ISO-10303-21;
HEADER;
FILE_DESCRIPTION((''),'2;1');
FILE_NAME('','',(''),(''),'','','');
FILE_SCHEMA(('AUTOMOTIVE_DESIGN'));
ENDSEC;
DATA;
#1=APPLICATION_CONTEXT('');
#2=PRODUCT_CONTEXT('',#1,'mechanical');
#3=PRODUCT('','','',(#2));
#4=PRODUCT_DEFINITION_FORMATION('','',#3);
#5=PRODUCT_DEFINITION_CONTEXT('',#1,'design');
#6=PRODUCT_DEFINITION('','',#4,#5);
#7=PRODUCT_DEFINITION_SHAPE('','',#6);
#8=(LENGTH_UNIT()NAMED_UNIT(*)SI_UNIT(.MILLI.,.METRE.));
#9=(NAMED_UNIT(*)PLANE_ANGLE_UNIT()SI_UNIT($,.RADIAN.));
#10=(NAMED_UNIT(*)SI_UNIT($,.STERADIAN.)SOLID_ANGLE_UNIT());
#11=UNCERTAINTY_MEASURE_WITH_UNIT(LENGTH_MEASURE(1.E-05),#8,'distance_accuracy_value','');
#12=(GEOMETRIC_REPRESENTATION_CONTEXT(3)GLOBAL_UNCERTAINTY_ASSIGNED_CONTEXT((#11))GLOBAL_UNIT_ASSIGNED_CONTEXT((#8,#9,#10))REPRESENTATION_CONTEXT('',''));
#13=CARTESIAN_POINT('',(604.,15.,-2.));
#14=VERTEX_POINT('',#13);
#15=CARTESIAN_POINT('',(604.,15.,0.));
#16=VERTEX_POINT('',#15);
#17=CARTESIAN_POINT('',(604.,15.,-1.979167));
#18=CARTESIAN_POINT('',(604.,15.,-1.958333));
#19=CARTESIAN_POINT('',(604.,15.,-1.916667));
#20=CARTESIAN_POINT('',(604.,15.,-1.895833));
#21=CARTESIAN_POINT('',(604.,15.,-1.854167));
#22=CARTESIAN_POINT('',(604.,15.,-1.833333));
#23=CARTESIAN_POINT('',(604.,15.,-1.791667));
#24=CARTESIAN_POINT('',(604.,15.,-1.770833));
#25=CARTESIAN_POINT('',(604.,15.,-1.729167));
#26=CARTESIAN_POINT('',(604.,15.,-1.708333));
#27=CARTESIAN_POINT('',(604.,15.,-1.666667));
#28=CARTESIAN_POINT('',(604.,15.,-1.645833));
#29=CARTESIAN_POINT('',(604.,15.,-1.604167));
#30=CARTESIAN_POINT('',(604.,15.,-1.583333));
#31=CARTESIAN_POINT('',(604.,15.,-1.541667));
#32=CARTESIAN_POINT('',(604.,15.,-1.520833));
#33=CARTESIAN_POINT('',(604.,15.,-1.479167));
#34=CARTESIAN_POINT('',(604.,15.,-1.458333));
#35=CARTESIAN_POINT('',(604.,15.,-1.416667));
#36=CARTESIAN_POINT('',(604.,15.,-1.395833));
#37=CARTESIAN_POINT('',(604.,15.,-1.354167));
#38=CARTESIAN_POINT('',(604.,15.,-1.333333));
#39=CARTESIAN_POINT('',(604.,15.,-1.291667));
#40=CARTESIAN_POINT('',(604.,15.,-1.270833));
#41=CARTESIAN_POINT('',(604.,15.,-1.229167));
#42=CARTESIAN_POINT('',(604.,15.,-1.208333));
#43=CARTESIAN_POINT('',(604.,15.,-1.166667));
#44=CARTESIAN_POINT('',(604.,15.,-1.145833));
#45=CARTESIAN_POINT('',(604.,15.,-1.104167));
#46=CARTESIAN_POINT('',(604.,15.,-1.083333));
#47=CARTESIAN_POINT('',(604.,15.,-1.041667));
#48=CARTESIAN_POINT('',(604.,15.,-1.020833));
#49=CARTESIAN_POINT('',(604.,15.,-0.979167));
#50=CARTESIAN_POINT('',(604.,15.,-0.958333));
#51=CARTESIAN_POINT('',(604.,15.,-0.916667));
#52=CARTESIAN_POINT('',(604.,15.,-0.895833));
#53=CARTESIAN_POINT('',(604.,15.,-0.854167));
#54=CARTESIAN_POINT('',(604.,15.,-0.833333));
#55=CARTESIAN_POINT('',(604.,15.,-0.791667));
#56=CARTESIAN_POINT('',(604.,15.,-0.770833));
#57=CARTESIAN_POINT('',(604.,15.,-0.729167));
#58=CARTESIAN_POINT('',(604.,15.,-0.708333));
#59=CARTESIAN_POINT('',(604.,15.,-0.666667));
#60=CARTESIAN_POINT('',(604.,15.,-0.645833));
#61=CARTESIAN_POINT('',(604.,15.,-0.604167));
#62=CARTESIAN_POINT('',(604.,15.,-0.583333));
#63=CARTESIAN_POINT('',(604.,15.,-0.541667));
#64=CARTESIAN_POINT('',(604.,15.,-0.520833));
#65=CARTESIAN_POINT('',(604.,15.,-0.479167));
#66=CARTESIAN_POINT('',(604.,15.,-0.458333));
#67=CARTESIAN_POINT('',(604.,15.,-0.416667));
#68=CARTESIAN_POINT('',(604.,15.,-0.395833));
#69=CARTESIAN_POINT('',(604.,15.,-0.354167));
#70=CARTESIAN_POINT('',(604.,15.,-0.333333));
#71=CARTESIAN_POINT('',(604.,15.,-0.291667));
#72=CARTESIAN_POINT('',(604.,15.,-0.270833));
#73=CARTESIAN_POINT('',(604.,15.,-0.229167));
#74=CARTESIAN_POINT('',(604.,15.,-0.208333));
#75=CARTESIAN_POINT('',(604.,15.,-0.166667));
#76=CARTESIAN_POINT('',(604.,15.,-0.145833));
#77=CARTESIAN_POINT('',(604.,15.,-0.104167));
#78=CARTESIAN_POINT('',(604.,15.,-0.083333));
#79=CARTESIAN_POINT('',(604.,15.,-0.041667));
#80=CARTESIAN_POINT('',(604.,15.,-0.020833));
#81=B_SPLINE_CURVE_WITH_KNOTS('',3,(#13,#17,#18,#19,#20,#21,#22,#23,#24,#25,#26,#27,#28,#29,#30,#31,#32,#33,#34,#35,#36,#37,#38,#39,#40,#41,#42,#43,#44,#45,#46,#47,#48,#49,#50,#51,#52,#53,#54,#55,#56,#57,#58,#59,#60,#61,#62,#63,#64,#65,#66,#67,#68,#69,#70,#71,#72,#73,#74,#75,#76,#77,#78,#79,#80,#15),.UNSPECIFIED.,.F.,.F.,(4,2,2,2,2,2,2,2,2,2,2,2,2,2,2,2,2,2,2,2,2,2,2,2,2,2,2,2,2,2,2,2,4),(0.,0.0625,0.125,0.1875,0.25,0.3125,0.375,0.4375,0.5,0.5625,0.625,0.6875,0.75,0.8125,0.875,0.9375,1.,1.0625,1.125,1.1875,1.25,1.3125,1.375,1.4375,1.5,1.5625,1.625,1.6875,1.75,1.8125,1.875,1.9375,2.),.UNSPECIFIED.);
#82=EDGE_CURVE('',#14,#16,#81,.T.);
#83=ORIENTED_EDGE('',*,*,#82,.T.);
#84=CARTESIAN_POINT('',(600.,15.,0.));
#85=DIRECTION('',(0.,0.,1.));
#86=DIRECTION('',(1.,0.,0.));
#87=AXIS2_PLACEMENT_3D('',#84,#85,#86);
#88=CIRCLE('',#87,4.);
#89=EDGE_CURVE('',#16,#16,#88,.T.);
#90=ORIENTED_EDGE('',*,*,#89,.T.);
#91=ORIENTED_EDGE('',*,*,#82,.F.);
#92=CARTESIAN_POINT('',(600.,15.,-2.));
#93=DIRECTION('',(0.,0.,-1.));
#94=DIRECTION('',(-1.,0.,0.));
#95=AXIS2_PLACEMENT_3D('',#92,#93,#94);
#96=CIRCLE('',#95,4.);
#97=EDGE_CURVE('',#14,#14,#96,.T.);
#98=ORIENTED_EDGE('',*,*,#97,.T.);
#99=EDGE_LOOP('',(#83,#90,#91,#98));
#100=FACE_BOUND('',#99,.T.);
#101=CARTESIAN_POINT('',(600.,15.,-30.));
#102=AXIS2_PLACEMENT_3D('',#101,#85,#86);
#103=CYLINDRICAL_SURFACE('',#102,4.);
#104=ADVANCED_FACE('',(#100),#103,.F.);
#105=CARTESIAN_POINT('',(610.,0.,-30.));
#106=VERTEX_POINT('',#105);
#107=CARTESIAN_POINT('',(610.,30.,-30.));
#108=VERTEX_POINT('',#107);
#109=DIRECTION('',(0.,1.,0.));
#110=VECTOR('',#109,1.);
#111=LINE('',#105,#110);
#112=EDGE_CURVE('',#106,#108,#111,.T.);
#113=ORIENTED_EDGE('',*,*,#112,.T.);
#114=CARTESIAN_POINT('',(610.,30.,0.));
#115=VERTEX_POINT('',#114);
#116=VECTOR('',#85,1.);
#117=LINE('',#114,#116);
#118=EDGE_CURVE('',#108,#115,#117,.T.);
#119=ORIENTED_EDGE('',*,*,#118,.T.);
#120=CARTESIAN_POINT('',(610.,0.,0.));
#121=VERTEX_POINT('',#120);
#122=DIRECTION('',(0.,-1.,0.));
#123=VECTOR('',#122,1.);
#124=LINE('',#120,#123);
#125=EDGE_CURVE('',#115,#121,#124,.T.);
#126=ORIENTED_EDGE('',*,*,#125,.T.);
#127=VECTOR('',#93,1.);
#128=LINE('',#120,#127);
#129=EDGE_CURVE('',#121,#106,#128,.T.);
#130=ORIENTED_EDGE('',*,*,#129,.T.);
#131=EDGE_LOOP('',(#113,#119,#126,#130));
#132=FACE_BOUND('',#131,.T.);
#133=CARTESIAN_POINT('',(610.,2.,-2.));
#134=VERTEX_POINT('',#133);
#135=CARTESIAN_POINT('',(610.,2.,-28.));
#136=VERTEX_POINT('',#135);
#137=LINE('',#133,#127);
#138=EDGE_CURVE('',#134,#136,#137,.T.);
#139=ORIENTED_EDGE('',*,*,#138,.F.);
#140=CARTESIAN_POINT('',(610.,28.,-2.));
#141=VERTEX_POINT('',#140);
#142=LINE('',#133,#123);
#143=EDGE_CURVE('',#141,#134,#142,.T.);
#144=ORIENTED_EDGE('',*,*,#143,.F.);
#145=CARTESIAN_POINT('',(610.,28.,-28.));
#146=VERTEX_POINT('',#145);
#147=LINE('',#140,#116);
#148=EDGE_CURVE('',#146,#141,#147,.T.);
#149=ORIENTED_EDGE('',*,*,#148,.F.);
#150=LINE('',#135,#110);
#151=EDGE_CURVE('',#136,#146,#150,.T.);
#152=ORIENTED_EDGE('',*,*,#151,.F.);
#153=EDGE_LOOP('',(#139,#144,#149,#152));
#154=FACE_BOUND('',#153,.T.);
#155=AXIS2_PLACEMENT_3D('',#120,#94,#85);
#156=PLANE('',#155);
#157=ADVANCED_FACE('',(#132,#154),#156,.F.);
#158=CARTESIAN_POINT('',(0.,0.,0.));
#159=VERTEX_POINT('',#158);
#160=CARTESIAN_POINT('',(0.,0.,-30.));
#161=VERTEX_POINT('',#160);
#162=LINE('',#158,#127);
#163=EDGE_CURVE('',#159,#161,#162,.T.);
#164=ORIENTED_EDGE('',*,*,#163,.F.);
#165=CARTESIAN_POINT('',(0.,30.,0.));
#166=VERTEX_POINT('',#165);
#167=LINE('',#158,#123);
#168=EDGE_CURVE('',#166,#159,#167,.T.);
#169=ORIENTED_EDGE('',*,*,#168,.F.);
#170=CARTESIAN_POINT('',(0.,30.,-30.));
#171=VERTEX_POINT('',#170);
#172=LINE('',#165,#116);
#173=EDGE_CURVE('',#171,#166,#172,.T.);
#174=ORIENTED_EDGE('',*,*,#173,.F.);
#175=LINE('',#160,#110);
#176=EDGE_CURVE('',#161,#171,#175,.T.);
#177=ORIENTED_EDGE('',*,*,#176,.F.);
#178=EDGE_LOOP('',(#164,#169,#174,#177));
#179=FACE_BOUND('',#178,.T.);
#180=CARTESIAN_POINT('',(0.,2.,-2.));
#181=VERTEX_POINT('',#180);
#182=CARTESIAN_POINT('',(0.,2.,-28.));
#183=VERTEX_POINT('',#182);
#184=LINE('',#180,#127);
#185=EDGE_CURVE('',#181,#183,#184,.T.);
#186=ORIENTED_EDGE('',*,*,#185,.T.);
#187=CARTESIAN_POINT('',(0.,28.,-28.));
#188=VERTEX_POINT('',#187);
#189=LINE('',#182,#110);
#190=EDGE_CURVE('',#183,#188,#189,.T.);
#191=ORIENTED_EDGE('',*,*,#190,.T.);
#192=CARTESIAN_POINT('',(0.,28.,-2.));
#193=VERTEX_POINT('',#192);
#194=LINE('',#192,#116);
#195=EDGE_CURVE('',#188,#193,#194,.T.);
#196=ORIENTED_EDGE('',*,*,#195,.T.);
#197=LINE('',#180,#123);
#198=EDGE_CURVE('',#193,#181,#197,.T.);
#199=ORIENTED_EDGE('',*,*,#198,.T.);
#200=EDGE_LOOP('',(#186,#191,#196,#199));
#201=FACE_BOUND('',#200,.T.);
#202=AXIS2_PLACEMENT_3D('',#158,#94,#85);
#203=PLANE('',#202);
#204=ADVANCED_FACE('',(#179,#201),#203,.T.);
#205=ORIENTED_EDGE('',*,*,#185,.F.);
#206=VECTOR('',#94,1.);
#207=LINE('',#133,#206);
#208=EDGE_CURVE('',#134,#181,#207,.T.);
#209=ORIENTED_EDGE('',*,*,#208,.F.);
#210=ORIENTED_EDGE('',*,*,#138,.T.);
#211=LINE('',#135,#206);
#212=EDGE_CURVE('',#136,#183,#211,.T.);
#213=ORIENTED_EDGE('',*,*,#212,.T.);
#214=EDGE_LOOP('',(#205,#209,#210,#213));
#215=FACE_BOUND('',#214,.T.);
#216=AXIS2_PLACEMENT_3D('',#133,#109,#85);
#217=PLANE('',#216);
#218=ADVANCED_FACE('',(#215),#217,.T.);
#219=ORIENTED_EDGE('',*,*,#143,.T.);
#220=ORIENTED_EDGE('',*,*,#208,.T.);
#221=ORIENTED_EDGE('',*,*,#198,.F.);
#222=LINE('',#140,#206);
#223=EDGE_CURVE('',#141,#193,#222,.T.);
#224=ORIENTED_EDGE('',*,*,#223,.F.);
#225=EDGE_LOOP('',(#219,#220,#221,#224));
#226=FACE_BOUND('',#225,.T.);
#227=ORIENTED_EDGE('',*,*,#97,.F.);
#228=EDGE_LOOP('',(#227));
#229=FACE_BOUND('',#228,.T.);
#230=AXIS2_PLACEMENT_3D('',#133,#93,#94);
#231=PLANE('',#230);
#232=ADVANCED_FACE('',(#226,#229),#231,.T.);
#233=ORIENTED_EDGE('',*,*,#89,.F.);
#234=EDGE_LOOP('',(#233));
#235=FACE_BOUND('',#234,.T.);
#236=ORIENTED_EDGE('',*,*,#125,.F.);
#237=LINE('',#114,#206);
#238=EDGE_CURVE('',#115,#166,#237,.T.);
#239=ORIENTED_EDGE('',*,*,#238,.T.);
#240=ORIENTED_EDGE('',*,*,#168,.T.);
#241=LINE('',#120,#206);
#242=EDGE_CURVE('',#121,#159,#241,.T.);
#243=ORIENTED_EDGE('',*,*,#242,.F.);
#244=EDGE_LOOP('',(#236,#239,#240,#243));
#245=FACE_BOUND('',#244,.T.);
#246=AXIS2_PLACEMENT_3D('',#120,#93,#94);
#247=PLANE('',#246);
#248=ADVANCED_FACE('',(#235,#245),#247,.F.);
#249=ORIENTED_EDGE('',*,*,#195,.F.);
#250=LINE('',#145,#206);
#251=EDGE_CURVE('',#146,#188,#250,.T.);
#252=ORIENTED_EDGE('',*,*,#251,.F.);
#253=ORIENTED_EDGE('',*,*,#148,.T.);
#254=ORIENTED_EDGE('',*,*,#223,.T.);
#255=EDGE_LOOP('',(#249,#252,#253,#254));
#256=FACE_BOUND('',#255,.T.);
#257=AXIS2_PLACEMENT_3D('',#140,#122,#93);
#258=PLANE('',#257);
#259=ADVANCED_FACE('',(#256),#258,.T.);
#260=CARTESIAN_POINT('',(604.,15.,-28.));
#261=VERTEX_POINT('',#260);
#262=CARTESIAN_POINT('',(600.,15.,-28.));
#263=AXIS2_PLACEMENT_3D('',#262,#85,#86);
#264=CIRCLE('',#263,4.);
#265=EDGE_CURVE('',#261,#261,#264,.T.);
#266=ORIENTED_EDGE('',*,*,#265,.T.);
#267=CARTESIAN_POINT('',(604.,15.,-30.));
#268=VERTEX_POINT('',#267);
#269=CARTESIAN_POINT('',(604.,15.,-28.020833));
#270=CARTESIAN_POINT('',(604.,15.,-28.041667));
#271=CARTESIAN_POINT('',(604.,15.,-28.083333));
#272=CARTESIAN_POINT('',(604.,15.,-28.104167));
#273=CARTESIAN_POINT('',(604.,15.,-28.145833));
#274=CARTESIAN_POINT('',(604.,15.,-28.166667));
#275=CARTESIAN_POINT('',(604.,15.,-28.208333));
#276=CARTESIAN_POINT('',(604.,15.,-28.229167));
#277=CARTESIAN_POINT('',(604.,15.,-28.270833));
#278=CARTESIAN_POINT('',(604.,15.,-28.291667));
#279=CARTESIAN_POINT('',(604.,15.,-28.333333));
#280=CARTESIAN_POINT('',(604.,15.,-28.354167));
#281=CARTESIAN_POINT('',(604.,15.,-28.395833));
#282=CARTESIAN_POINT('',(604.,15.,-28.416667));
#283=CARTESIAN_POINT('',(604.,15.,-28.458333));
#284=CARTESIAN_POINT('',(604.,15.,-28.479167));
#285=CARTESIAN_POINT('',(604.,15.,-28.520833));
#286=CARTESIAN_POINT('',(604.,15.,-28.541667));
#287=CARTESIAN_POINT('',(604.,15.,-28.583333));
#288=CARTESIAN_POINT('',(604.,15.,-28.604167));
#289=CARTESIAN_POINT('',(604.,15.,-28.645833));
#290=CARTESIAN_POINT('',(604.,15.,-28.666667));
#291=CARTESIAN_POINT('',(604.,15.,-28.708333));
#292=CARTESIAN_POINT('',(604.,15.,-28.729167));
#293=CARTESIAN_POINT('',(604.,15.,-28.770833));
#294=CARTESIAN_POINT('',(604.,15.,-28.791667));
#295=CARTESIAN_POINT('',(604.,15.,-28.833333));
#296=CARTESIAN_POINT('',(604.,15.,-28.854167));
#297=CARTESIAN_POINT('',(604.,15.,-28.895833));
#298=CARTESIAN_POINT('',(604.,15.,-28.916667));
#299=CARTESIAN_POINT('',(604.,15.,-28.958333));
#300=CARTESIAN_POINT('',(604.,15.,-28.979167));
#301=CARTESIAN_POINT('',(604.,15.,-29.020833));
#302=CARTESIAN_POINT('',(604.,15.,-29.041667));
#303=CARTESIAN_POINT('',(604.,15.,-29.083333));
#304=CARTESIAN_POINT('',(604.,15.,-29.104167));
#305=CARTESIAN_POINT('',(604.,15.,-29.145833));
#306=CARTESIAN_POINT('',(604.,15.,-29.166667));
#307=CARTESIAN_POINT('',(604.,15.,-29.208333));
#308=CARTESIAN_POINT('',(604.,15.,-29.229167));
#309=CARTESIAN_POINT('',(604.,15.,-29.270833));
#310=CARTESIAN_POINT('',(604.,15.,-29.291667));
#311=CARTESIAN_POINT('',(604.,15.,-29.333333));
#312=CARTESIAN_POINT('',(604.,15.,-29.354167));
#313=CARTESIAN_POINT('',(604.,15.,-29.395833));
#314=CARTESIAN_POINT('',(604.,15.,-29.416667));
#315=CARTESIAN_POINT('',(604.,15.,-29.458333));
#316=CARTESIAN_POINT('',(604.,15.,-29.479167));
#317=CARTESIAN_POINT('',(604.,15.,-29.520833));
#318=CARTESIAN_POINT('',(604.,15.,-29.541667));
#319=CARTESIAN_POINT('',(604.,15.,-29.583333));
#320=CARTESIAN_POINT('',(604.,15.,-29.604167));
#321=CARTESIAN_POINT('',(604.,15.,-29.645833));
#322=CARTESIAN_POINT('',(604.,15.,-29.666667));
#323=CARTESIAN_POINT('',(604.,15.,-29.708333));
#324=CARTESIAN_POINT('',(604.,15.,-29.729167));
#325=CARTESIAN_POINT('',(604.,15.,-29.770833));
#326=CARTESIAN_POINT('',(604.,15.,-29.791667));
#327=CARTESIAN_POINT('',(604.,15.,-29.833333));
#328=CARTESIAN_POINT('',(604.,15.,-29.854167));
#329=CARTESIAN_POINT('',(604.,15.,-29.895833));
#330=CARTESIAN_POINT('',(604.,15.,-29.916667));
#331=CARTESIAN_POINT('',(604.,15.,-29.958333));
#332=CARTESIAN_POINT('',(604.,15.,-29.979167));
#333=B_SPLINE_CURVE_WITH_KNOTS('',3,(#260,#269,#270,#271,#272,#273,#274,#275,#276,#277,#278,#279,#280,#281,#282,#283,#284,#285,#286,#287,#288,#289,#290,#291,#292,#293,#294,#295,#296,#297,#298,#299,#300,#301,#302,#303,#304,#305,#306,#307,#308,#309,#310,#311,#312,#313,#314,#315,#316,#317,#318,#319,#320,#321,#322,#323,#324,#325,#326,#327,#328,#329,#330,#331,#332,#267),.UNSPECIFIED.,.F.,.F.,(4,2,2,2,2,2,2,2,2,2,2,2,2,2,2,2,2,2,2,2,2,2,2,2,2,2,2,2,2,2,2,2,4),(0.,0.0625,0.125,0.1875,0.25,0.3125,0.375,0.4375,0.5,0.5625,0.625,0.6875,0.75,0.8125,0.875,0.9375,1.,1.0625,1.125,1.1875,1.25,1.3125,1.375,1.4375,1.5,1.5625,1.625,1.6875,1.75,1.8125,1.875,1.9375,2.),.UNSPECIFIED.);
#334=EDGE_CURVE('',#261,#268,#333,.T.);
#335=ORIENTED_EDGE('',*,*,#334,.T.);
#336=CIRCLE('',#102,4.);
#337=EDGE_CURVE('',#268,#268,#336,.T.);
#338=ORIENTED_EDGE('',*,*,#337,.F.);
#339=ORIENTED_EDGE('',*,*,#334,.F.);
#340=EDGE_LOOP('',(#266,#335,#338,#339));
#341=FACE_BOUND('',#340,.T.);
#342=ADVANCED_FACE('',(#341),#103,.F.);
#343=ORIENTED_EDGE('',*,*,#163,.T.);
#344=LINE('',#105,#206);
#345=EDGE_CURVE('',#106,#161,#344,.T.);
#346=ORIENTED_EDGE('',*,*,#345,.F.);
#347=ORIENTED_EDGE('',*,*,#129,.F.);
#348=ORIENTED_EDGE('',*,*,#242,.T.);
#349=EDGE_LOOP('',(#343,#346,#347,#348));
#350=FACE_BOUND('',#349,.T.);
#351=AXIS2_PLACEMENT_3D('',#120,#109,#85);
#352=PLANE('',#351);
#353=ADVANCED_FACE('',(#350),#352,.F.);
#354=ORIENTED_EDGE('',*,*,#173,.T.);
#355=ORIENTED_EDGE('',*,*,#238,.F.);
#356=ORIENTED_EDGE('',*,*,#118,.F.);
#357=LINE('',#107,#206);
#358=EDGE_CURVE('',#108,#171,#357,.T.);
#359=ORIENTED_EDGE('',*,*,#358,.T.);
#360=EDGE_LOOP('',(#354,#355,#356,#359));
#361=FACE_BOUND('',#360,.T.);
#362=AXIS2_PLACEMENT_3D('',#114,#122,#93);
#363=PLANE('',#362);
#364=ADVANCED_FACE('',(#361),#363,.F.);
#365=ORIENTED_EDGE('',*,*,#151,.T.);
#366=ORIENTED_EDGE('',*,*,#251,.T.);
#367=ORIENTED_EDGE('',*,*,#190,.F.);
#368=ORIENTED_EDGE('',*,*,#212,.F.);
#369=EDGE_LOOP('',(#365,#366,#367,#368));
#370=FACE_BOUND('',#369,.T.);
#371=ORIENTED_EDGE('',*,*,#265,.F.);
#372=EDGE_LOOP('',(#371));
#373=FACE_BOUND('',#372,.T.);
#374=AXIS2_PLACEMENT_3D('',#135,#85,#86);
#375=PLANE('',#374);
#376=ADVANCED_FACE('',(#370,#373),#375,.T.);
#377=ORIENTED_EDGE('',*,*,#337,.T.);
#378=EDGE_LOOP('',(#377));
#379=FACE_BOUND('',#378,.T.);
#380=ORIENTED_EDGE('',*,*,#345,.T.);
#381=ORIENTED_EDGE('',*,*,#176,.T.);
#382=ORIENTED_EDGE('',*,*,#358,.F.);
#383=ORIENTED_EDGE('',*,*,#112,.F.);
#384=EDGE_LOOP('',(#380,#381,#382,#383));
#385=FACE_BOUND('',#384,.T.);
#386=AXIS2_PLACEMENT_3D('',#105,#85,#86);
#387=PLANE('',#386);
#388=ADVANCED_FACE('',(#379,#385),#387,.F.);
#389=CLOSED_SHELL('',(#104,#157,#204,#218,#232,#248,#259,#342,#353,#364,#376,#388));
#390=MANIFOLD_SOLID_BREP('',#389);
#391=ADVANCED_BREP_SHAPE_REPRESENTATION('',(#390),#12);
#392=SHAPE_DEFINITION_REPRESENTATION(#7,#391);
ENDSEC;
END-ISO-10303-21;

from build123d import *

# Parameters (mm, degrees)
SKETCH1_W           = 30
SKETCH1_H           = 30
SKETCH1_W_2         = 26
SKETCH1_H_2         = 26
BOSS_EXTRUDE1_DEPTH = 610
SKETCH2_R           = 4
CUT_EXTRUDE1_DEPTH  = 612.473629848


with BuildPart() as part:
    # Sketch1 → Boss-Extrude1 (new body)
    with BuildSketch(Plane(origin=(0, 0, 0), x_dir=(0, 0, -1), z_dir=(1, 0, 0))):
        with Locations((15, 15)):
            Rectangle(SKETCH1_W, SKETCH1_H)
        with Locations((15, 15)):
            Rectangle(SKETCH1_W_2, SKETCH1_H_2, mode=Mode.SUBTRACT)
    extrude(amount=BOSS_EXTRUDE1_DEPTH)

    # Sketch2 → Cut-Extrude1 (cut, through all)
    with BuildSketch(Plane.XY):
        with Locations((600, 15)):
            Circle(SKETCH2_R)
    extrude(amount=-CUT_EXTRUDE1_DEPTH, mode=Mode.SUBTRACT)


solid = part.part
